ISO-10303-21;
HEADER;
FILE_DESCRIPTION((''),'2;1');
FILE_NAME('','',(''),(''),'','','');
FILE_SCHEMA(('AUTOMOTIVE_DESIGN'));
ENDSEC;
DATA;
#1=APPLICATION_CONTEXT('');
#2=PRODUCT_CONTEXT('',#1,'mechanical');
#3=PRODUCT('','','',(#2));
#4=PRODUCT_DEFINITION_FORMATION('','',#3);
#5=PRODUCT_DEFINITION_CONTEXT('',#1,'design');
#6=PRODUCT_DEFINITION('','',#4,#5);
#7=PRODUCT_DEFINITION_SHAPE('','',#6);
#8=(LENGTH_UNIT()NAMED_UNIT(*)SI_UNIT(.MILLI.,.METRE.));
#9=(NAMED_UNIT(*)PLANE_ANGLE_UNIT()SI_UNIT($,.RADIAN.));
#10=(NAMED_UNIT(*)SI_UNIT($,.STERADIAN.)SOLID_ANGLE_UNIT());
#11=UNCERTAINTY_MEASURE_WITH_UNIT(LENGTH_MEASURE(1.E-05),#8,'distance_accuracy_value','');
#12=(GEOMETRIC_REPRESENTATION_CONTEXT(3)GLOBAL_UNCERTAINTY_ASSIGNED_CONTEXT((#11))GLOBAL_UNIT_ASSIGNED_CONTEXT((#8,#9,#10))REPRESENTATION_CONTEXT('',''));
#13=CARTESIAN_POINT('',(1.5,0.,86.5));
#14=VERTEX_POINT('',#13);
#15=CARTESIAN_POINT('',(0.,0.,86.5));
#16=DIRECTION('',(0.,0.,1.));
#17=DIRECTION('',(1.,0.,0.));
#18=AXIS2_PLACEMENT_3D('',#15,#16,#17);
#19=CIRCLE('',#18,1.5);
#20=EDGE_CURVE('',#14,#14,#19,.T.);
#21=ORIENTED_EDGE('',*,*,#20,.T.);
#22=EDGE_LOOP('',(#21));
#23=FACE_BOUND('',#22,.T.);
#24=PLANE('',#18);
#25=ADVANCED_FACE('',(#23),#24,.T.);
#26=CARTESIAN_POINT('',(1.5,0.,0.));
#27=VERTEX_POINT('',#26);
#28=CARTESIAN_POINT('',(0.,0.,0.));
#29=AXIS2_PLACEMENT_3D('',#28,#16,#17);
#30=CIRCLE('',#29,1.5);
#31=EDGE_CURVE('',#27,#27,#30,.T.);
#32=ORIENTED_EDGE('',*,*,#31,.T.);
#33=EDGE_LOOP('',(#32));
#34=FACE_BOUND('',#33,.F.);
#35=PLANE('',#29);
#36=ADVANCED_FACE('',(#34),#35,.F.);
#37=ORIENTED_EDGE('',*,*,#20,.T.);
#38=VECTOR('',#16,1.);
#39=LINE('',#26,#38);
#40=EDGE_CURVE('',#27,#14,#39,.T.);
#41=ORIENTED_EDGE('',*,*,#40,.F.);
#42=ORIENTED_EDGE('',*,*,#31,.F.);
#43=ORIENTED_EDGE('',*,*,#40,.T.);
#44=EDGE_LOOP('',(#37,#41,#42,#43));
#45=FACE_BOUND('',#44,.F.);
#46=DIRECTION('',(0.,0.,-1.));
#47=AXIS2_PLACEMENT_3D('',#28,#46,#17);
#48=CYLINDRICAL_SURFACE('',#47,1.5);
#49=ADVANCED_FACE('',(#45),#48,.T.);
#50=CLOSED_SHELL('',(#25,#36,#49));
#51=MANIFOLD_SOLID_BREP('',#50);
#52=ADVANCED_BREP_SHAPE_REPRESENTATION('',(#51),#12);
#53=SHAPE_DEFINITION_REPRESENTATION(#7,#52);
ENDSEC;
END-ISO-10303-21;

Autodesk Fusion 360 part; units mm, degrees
sketch "스케치1" plane through (0, 0, 0) normal (0, 0, 1) x (1, 0, 0)
  circle A0 centre (0, 0) radius 1.5
  dimension "d1" = 3
extrude "돌출1" add sketch "스케치1" along normal blind 86.5
